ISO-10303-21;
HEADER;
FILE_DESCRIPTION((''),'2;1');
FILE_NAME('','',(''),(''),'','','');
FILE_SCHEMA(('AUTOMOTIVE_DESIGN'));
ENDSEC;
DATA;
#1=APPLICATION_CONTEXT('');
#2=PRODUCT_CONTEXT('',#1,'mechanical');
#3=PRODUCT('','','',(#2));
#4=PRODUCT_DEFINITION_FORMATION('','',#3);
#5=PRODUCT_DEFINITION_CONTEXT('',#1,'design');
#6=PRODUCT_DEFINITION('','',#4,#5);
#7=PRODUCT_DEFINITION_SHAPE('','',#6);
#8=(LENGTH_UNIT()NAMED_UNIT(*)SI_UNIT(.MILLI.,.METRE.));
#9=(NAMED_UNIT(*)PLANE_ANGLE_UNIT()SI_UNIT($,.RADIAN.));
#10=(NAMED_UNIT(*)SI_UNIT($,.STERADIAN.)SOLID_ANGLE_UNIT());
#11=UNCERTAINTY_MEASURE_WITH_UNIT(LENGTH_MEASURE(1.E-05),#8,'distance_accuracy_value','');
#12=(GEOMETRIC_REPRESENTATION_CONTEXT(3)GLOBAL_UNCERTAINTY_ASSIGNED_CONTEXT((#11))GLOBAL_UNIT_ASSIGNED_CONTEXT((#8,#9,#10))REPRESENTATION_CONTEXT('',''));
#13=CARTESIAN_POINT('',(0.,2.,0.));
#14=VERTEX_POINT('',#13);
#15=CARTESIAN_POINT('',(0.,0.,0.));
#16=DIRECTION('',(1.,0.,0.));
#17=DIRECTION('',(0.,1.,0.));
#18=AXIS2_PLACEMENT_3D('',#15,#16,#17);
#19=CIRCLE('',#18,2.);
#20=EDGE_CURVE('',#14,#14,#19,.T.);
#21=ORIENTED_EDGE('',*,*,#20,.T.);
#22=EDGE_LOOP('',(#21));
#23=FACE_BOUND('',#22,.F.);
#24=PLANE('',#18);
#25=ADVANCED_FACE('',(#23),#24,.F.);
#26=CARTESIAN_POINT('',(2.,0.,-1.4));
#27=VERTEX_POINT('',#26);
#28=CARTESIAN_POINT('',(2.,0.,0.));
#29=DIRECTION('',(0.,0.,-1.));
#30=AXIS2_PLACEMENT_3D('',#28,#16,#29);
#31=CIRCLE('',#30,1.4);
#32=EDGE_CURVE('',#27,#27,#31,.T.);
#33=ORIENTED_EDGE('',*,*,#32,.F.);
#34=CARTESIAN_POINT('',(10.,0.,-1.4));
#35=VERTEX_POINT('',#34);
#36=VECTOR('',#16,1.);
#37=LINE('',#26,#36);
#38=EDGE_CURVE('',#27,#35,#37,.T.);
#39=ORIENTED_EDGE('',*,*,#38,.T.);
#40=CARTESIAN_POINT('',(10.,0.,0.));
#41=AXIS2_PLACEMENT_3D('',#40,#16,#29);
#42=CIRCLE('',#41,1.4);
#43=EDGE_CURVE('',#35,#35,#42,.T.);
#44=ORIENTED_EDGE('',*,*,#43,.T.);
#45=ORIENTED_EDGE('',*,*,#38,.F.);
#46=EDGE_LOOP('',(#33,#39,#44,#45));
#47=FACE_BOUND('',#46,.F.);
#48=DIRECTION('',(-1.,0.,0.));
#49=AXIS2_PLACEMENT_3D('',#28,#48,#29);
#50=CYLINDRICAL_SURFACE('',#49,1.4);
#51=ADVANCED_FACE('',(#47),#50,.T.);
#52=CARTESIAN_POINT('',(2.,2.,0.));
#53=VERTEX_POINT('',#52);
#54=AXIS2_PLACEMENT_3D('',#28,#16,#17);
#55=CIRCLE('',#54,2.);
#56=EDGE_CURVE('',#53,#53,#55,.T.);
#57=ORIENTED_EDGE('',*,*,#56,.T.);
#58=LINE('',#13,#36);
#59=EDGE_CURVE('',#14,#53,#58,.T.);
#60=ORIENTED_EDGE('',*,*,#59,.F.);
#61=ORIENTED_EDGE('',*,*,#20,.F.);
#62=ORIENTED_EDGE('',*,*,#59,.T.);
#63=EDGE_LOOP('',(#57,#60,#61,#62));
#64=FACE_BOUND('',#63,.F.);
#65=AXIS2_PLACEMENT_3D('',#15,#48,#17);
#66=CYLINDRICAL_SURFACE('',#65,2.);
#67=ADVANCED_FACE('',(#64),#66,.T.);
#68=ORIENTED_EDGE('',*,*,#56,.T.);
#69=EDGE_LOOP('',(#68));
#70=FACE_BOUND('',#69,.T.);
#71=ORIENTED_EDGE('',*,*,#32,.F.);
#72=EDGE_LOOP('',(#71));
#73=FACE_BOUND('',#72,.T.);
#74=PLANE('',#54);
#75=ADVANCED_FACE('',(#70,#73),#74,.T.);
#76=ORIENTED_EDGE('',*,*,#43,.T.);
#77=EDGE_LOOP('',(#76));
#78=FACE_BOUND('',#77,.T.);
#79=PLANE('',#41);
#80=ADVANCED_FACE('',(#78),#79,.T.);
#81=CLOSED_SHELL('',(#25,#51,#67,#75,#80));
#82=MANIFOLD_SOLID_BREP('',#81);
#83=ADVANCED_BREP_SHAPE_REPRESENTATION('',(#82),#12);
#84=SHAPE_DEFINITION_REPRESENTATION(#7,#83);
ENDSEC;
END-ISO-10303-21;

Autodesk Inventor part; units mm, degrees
ref_plane "YZ Plane" through (0, 0, 0) normal (1, 0, 0) x (0, 1, 0)
ref_plane "XZ Plane" through (0, 0, 0) normal (0, 1, 0) x (-1, 0, 0)
ref_plane "XY Plane" through (0, 0, 0) normal (0, 0, 1) x (1, 0, 0)
sketch "Sketch1" plane through (0, 0, 0) normal (1, 0, 0) x (0, 1, 0)
  circle A0 centre (0, 0) radius 2
  dimension "d0" = 4
extrude "Extrusion1" add sketch "Sketch1" along normal blind 2
sketch "Sketch2" plane through (2, 0, 0) normal (1, 0, 0) x (0, 0, -1)
  circle A0 centre (0, 0) radius 1.4
  dimension "d3" = 2.8
extrude "Extrusion2" add sketch "Sketch2" along normal blind 8
properties part number "Ø3SplitShort"
